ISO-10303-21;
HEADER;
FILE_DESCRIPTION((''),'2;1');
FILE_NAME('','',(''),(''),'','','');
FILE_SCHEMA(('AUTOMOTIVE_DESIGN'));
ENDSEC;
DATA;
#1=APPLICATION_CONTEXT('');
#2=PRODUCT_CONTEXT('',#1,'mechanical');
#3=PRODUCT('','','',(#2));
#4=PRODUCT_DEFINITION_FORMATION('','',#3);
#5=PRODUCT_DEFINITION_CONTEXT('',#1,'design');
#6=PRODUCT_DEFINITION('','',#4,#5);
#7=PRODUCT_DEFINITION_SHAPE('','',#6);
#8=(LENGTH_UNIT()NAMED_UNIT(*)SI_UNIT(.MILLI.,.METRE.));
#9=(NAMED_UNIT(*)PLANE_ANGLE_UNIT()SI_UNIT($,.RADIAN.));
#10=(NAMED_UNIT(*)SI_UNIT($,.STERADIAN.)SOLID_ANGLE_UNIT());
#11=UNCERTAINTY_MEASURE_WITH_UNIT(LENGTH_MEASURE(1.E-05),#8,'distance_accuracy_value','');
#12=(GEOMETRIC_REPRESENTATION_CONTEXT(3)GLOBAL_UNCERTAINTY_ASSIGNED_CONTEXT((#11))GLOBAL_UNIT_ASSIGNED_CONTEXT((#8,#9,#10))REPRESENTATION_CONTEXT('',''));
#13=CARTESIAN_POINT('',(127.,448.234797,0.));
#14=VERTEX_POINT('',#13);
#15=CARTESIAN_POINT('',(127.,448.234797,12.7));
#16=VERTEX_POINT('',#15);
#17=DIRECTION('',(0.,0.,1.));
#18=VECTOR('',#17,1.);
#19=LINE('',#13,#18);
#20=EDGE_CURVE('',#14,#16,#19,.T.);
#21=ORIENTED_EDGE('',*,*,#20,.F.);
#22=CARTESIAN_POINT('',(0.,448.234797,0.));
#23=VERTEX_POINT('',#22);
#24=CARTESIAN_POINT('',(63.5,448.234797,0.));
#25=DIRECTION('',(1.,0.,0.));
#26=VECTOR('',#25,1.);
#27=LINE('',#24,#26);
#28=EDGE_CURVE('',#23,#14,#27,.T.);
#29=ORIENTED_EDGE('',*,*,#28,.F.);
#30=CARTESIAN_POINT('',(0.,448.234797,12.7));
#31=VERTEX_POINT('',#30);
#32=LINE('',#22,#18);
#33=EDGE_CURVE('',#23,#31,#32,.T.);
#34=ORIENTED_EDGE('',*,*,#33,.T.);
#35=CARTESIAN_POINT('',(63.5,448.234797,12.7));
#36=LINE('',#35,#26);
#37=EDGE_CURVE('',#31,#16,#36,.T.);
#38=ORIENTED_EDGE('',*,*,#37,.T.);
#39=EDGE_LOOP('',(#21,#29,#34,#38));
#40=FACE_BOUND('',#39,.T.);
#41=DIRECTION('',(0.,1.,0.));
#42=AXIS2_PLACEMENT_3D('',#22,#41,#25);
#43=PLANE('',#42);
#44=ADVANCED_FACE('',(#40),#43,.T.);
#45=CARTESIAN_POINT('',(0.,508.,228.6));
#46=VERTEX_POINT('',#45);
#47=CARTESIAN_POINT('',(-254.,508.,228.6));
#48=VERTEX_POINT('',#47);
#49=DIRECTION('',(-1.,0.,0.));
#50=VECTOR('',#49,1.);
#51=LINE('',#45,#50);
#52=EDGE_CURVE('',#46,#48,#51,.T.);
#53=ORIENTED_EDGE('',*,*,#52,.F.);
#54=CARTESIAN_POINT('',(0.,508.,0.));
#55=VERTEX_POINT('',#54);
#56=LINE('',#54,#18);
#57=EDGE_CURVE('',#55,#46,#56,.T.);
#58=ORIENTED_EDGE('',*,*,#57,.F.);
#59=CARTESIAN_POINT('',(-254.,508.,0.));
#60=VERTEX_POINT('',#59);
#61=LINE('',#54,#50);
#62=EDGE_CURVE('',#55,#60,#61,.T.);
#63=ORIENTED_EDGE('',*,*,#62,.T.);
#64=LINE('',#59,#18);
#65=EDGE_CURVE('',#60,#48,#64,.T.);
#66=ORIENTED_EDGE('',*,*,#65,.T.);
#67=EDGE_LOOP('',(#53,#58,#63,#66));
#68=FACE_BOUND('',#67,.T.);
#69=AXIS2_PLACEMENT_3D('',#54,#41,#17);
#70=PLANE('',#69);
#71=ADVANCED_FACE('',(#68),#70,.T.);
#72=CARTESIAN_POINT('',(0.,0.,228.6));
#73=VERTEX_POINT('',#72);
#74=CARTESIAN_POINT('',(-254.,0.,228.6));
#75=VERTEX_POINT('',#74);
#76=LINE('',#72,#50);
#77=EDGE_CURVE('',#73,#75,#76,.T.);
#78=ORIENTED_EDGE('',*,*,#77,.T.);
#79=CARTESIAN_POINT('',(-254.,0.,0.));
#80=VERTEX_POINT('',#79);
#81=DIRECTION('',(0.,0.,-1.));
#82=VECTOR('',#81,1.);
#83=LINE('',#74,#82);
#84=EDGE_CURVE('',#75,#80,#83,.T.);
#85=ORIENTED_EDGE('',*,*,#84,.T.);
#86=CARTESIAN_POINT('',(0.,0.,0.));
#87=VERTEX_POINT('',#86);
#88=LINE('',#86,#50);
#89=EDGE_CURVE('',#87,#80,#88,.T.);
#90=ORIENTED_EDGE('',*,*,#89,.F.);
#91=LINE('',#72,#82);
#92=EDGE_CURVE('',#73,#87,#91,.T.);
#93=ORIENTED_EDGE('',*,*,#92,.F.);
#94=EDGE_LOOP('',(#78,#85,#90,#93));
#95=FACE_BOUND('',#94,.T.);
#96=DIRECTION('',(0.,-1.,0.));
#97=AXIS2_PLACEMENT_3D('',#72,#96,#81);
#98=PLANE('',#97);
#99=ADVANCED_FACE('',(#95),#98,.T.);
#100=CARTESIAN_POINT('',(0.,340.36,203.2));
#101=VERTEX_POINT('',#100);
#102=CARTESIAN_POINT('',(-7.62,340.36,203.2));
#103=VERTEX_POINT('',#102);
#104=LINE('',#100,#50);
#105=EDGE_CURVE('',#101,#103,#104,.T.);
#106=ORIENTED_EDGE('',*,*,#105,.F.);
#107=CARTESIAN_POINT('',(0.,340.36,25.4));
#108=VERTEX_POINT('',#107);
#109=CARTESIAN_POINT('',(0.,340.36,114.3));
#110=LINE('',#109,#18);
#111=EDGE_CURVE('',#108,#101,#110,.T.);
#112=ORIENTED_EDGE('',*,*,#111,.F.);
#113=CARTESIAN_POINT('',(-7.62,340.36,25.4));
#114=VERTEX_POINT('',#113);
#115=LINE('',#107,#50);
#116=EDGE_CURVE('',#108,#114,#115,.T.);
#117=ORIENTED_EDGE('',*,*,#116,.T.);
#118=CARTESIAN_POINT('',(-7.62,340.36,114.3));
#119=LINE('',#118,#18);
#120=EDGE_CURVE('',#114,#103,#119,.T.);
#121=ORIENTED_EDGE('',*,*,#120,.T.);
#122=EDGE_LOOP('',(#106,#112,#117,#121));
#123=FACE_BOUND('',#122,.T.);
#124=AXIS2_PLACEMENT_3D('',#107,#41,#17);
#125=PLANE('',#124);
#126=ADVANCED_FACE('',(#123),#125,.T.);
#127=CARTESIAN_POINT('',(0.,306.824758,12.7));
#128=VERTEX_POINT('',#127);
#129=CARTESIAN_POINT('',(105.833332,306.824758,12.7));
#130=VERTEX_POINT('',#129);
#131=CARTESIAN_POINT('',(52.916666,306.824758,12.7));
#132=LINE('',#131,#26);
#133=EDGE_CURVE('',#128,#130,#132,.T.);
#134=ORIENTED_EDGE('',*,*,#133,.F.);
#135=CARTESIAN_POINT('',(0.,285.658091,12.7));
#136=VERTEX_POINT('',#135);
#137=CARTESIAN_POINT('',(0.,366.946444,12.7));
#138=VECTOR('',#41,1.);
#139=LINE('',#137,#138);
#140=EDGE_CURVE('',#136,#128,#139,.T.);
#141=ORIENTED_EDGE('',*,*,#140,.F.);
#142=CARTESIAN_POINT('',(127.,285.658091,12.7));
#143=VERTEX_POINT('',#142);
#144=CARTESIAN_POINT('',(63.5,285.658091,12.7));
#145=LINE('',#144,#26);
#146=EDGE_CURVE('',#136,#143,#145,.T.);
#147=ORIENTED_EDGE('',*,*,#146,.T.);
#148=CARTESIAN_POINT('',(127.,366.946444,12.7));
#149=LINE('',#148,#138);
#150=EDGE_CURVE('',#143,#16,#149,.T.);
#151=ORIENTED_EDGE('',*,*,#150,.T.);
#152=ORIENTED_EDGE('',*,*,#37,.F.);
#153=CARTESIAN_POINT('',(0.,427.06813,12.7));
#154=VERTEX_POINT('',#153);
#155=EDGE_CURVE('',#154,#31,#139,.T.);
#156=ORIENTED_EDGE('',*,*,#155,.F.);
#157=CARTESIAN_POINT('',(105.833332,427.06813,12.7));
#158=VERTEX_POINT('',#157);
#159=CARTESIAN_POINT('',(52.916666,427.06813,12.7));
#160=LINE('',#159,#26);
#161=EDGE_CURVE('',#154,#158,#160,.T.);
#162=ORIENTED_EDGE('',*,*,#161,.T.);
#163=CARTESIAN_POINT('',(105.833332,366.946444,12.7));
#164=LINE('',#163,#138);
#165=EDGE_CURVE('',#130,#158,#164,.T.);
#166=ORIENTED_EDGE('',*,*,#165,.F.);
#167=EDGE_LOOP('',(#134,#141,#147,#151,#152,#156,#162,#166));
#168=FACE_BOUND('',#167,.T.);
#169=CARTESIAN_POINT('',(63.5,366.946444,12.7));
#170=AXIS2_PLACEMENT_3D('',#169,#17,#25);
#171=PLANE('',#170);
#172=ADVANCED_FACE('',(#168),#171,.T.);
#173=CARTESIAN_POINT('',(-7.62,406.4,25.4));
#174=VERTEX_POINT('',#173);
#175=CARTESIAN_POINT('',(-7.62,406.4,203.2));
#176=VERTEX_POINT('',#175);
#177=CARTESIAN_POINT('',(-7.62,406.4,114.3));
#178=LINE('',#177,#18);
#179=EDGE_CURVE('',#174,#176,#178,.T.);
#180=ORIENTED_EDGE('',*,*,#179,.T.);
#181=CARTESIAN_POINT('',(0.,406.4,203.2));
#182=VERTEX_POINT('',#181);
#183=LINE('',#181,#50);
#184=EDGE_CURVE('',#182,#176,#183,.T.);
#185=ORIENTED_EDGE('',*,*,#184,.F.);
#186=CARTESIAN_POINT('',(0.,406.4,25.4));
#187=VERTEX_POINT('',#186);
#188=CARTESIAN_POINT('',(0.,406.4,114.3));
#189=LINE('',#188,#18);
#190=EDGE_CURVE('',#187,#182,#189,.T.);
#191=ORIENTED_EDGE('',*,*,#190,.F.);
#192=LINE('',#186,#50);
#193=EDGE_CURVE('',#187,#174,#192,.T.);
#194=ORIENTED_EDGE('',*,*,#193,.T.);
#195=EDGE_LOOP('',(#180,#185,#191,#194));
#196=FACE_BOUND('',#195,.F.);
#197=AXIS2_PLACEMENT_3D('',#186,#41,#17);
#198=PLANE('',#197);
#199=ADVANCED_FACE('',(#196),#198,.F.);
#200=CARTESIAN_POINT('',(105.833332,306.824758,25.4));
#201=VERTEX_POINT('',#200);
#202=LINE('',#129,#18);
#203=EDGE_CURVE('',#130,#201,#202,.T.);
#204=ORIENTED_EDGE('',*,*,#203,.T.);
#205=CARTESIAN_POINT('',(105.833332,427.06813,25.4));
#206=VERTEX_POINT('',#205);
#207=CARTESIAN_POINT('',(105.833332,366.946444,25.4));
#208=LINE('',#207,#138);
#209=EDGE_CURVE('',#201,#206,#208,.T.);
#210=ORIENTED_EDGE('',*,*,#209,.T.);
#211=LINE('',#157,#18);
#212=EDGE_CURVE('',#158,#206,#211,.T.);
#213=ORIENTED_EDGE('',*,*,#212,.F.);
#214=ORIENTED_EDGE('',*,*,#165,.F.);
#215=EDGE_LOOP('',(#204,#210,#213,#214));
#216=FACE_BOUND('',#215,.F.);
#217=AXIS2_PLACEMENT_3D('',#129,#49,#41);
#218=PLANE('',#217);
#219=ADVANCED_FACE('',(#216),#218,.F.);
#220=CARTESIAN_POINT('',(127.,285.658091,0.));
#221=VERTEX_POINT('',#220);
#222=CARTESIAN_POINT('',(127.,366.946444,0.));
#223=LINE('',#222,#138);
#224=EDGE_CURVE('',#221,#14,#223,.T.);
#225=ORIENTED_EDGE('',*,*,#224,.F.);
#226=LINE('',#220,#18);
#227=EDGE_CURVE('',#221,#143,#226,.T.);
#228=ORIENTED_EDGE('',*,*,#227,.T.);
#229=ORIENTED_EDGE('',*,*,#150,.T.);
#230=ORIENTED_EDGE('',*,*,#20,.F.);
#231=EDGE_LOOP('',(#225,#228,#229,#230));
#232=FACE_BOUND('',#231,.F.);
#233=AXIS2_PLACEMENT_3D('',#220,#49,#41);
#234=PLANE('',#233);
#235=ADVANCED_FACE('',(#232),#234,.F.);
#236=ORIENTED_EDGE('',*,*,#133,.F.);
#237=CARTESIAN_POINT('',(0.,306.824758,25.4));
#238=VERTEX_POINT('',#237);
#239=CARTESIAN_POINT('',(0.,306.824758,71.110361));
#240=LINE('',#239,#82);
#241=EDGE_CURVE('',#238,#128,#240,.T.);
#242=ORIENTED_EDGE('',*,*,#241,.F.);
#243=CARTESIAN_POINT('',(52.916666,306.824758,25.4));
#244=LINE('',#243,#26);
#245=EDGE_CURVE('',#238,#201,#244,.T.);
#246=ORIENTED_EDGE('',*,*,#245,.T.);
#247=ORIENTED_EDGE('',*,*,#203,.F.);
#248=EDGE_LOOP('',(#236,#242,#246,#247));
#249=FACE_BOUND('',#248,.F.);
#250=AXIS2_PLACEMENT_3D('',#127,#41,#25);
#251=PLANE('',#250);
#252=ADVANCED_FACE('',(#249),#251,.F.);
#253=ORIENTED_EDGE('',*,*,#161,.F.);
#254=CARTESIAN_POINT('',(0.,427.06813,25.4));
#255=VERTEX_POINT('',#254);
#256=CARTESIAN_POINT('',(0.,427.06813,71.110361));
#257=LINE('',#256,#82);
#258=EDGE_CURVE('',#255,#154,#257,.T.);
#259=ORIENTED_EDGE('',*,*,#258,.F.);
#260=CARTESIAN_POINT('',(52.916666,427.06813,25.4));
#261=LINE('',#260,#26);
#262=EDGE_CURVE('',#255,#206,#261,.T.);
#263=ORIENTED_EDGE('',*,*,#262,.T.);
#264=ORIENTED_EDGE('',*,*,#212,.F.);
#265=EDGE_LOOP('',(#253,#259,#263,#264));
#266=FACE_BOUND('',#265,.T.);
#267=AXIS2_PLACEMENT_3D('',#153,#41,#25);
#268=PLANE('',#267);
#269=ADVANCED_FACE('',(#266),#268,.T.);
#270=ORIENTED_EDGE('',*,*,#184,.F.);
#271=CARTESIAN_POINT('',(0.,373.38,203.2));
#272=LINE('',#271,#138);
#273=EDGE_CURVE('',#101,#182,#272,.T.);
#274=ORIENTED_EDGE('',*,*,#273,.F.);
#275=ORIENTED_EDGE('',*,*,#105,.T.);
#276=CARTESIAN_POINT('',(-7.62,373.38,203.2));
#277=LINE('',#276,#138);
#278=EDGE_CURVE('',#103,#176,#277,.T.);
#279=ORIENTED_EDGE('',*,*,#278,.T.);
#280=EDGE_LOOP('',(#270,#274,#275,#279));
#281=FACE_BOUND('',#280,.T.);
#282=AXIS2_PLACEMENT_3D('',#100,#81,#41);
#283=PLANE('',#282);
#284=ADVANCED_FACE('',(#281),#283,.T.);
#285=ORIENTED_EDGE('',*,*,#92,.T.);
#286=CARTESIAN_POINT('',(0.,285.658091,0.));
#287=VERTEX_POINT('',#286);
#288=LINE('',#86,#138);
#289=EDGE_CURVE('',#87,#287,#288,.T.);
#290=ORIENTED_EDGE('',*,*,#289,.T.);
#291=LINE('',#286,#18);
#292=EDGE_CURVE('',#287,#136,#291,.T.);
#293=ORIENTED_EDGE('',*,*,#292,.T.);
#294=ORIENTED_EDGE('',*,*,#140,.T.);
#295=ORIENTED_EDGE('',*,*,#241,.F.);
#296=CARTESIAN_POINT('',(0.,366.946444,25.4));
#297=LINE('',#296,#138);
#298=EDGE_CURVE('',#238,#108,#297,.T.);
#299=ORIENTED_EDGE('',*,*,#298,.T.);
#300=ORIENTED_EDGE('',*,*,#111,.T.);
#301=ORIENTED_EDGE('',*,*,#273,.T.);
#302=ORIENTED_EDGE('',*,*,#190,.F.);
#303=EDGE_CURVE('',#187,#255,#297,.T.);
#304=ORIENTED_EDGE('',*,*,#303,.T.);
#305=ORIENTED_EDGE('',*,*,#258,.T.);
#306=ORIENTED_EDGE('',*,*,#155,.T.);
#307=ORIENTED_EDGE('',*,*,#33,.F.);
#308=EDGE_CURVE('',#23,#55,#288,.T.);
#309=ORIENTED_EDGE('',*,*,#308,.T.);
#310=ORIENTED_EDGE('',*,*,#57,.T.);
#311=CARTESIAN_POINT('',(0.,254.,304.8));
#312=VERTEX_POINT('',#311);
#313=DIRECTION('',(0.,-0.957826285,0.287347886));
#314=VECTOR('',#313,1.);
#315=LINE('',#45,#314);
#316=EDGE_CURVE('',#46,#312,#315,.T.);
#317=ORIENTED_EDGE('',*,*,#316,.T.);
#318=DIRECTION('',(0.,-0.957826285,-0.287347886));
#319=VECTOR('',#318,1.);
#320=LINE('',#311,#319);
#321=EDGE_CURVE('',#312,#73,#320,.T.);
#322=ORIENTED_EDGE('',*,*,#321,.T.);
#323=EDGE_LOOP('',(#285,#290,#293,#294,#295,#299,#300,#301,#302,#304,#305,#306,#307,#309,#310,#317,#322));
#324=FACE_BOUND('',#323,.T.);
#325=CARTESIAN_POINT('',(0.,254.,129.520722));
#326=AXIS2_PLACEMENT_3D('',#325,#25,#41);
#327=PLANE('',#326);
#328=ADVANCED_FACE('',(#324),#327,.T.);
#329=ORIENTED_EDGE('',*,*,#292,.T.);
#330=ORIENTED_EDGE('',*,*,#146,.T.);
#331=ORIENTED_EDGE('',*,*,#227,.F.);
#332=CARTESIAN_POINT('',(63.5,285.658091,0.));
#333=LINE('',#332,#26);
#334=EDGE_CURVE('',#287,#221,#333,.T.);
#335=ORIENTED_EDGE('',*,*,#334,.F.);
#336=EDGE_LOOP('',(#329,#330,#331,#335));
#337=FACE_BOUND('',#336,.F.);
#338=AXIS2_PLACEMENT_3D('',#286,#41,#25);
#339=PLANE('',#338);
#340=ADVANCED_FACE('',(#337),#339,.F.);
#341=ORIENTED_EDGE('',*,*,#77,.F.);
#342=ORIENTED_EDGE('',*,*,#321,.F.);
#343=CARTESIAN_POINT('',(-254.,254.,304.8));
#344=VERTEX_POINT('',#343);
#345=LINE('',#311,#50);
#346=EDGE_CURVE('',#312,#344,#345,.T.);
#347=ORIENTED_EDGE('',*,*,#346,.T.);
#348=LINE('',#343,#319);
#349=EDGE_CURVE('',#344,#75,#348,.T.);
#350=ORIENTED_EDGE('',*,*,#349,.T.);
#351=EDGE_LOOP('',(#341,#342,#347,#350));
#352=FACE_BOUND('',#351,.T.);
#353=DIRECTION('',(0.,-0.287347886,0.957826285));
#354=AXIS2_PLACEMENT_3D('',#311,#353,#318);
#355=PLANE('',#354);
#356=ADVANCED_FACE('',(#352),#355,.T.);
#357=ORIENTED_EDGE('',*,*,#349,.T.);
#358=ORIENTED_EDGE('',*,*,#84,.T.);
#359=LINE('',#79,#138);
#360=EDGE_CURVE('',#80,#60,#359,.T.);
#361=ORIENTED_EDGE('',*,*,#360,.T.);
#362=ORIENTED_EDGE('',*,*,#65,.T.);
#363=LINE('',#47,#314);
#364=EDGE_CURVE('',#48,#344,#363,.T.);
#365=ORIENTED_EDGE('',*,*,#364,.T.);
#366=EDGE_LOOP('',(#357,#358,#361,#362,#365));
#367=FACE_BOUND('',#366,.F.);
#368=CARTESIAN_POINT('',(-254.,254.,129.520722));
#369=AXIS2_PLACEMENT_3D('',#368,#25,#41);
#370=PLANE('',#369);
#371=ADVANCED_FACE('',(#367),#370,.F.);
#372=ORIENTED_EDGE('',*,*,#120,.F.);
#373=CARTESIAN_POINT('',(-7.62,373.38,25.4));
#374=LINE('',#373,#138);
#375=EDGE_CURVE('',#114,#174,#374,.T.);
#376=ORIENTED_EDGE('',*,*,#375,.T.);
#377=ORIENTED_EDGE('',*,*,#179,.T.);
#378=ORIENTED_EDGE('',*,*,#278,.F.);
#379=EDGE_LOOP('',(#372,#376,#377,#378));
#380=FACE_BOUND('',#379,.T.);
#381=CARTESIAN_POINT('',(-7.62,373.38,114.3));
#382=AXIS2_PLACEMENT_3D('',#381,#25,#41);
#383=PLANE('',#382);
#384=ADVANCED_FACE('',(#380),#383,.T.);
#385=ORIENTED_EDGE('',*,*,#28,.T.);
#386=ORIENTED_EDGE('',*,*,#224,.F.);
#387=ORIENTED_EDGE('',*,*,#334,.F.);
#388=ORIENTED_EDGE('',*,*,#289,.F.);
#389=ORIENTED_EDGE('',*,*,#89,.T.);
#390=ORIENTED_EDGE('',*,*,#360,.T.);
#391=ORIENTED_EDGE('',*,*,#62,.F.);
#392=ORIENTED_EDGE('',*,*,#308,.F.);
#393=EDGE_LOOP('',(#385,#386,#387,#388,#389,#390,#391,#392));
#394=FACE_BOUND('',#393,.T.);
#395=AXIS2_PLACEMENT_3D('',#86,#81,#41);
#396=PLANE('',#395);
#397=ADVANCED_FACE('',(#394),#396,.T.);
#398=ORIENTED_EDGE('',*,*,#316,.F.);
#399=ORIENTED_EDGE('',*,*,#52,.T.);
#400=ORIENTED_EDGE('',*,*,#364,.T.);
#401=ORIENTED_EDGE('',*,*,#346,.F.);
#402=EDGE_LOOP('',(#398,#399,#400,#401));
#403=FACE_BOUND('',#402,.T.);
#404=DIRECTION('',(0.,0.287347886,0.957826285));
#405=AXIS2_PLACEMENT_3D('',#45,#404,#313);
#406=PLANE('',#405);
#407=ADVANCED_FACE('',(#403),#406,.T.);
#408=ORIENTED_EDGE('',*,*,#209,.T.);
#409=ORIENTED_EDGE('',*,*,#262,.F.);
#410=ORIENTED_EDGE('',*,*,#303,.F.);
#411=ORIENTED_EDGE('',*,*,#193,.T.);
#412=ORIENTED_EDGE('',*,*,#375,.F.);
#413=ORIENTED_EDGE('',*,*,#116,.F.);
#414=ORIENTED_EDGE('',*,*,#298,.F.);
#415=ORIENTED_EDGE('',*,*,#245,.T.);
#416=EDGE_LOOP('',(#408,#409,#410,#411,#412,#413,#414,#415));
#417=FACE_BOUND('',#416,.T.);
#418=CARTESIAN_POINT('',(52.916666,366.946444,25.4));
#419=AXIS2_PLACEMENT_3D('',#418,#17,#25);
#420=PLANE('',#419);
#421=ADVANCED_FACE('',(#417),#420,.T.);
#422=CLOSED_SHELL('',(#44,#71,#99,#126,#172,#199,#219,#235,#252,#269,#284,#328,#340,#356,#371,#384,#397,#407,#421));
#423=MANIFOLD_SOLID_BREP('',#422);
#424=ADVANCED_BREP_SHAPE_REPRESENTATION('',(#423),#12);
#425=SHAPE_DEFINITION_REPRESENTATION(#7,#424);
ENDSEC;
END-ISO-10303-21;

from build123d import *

# Parameters (mm, degrees)
F2_W     = 127
F2_H     = 162.576706
F3_DEPTH = 12.7
F4_W     = 105.833333
F4_H     = 120.243372
F5_DEPTH = 12.7
F6_DEPTH = 254
F1_W     = 66.04
F1_H     = 177.8
F7_DEPTH = 7.62


with BuildPart() as f3:
    # F2 (on Top) → F3 (new body)
    with BuildSketch(Plane.XY):
        with Locations((63.5, 366.946444)):
            Rectangle(F2_W, F2_H)
    extrude(amount=F3_DEPTH)

    # F4 (on face) → F5 (join)
    with BuildSketch(Plane.XY.offset(12.7)):
        with Locations((52.916666, 366.946444)):
            Rectangle(F4_W, F4_H)
    extrude(amount=F5_DEPTH)

    # F0 (on Right) → F6 (join)
    with BuildSketch(Plane.YZ):
        Polygon((0, 228.6), (0, 0), (508, 0), (508, 228.6), (254, 304.8), align=None)
    extrude(amount=-F6_DEPTH)

    # F1 (on Right) → F7 (cut)
    with BuildSketch(Plane.YZ):
        with Locations((373.38, 114.3)):
            Rectangle(F1_W, F1_H)
    extrude(amount=-F7_DEPTH, mode=Mode.SUBTRACT)


solid = f3.part
